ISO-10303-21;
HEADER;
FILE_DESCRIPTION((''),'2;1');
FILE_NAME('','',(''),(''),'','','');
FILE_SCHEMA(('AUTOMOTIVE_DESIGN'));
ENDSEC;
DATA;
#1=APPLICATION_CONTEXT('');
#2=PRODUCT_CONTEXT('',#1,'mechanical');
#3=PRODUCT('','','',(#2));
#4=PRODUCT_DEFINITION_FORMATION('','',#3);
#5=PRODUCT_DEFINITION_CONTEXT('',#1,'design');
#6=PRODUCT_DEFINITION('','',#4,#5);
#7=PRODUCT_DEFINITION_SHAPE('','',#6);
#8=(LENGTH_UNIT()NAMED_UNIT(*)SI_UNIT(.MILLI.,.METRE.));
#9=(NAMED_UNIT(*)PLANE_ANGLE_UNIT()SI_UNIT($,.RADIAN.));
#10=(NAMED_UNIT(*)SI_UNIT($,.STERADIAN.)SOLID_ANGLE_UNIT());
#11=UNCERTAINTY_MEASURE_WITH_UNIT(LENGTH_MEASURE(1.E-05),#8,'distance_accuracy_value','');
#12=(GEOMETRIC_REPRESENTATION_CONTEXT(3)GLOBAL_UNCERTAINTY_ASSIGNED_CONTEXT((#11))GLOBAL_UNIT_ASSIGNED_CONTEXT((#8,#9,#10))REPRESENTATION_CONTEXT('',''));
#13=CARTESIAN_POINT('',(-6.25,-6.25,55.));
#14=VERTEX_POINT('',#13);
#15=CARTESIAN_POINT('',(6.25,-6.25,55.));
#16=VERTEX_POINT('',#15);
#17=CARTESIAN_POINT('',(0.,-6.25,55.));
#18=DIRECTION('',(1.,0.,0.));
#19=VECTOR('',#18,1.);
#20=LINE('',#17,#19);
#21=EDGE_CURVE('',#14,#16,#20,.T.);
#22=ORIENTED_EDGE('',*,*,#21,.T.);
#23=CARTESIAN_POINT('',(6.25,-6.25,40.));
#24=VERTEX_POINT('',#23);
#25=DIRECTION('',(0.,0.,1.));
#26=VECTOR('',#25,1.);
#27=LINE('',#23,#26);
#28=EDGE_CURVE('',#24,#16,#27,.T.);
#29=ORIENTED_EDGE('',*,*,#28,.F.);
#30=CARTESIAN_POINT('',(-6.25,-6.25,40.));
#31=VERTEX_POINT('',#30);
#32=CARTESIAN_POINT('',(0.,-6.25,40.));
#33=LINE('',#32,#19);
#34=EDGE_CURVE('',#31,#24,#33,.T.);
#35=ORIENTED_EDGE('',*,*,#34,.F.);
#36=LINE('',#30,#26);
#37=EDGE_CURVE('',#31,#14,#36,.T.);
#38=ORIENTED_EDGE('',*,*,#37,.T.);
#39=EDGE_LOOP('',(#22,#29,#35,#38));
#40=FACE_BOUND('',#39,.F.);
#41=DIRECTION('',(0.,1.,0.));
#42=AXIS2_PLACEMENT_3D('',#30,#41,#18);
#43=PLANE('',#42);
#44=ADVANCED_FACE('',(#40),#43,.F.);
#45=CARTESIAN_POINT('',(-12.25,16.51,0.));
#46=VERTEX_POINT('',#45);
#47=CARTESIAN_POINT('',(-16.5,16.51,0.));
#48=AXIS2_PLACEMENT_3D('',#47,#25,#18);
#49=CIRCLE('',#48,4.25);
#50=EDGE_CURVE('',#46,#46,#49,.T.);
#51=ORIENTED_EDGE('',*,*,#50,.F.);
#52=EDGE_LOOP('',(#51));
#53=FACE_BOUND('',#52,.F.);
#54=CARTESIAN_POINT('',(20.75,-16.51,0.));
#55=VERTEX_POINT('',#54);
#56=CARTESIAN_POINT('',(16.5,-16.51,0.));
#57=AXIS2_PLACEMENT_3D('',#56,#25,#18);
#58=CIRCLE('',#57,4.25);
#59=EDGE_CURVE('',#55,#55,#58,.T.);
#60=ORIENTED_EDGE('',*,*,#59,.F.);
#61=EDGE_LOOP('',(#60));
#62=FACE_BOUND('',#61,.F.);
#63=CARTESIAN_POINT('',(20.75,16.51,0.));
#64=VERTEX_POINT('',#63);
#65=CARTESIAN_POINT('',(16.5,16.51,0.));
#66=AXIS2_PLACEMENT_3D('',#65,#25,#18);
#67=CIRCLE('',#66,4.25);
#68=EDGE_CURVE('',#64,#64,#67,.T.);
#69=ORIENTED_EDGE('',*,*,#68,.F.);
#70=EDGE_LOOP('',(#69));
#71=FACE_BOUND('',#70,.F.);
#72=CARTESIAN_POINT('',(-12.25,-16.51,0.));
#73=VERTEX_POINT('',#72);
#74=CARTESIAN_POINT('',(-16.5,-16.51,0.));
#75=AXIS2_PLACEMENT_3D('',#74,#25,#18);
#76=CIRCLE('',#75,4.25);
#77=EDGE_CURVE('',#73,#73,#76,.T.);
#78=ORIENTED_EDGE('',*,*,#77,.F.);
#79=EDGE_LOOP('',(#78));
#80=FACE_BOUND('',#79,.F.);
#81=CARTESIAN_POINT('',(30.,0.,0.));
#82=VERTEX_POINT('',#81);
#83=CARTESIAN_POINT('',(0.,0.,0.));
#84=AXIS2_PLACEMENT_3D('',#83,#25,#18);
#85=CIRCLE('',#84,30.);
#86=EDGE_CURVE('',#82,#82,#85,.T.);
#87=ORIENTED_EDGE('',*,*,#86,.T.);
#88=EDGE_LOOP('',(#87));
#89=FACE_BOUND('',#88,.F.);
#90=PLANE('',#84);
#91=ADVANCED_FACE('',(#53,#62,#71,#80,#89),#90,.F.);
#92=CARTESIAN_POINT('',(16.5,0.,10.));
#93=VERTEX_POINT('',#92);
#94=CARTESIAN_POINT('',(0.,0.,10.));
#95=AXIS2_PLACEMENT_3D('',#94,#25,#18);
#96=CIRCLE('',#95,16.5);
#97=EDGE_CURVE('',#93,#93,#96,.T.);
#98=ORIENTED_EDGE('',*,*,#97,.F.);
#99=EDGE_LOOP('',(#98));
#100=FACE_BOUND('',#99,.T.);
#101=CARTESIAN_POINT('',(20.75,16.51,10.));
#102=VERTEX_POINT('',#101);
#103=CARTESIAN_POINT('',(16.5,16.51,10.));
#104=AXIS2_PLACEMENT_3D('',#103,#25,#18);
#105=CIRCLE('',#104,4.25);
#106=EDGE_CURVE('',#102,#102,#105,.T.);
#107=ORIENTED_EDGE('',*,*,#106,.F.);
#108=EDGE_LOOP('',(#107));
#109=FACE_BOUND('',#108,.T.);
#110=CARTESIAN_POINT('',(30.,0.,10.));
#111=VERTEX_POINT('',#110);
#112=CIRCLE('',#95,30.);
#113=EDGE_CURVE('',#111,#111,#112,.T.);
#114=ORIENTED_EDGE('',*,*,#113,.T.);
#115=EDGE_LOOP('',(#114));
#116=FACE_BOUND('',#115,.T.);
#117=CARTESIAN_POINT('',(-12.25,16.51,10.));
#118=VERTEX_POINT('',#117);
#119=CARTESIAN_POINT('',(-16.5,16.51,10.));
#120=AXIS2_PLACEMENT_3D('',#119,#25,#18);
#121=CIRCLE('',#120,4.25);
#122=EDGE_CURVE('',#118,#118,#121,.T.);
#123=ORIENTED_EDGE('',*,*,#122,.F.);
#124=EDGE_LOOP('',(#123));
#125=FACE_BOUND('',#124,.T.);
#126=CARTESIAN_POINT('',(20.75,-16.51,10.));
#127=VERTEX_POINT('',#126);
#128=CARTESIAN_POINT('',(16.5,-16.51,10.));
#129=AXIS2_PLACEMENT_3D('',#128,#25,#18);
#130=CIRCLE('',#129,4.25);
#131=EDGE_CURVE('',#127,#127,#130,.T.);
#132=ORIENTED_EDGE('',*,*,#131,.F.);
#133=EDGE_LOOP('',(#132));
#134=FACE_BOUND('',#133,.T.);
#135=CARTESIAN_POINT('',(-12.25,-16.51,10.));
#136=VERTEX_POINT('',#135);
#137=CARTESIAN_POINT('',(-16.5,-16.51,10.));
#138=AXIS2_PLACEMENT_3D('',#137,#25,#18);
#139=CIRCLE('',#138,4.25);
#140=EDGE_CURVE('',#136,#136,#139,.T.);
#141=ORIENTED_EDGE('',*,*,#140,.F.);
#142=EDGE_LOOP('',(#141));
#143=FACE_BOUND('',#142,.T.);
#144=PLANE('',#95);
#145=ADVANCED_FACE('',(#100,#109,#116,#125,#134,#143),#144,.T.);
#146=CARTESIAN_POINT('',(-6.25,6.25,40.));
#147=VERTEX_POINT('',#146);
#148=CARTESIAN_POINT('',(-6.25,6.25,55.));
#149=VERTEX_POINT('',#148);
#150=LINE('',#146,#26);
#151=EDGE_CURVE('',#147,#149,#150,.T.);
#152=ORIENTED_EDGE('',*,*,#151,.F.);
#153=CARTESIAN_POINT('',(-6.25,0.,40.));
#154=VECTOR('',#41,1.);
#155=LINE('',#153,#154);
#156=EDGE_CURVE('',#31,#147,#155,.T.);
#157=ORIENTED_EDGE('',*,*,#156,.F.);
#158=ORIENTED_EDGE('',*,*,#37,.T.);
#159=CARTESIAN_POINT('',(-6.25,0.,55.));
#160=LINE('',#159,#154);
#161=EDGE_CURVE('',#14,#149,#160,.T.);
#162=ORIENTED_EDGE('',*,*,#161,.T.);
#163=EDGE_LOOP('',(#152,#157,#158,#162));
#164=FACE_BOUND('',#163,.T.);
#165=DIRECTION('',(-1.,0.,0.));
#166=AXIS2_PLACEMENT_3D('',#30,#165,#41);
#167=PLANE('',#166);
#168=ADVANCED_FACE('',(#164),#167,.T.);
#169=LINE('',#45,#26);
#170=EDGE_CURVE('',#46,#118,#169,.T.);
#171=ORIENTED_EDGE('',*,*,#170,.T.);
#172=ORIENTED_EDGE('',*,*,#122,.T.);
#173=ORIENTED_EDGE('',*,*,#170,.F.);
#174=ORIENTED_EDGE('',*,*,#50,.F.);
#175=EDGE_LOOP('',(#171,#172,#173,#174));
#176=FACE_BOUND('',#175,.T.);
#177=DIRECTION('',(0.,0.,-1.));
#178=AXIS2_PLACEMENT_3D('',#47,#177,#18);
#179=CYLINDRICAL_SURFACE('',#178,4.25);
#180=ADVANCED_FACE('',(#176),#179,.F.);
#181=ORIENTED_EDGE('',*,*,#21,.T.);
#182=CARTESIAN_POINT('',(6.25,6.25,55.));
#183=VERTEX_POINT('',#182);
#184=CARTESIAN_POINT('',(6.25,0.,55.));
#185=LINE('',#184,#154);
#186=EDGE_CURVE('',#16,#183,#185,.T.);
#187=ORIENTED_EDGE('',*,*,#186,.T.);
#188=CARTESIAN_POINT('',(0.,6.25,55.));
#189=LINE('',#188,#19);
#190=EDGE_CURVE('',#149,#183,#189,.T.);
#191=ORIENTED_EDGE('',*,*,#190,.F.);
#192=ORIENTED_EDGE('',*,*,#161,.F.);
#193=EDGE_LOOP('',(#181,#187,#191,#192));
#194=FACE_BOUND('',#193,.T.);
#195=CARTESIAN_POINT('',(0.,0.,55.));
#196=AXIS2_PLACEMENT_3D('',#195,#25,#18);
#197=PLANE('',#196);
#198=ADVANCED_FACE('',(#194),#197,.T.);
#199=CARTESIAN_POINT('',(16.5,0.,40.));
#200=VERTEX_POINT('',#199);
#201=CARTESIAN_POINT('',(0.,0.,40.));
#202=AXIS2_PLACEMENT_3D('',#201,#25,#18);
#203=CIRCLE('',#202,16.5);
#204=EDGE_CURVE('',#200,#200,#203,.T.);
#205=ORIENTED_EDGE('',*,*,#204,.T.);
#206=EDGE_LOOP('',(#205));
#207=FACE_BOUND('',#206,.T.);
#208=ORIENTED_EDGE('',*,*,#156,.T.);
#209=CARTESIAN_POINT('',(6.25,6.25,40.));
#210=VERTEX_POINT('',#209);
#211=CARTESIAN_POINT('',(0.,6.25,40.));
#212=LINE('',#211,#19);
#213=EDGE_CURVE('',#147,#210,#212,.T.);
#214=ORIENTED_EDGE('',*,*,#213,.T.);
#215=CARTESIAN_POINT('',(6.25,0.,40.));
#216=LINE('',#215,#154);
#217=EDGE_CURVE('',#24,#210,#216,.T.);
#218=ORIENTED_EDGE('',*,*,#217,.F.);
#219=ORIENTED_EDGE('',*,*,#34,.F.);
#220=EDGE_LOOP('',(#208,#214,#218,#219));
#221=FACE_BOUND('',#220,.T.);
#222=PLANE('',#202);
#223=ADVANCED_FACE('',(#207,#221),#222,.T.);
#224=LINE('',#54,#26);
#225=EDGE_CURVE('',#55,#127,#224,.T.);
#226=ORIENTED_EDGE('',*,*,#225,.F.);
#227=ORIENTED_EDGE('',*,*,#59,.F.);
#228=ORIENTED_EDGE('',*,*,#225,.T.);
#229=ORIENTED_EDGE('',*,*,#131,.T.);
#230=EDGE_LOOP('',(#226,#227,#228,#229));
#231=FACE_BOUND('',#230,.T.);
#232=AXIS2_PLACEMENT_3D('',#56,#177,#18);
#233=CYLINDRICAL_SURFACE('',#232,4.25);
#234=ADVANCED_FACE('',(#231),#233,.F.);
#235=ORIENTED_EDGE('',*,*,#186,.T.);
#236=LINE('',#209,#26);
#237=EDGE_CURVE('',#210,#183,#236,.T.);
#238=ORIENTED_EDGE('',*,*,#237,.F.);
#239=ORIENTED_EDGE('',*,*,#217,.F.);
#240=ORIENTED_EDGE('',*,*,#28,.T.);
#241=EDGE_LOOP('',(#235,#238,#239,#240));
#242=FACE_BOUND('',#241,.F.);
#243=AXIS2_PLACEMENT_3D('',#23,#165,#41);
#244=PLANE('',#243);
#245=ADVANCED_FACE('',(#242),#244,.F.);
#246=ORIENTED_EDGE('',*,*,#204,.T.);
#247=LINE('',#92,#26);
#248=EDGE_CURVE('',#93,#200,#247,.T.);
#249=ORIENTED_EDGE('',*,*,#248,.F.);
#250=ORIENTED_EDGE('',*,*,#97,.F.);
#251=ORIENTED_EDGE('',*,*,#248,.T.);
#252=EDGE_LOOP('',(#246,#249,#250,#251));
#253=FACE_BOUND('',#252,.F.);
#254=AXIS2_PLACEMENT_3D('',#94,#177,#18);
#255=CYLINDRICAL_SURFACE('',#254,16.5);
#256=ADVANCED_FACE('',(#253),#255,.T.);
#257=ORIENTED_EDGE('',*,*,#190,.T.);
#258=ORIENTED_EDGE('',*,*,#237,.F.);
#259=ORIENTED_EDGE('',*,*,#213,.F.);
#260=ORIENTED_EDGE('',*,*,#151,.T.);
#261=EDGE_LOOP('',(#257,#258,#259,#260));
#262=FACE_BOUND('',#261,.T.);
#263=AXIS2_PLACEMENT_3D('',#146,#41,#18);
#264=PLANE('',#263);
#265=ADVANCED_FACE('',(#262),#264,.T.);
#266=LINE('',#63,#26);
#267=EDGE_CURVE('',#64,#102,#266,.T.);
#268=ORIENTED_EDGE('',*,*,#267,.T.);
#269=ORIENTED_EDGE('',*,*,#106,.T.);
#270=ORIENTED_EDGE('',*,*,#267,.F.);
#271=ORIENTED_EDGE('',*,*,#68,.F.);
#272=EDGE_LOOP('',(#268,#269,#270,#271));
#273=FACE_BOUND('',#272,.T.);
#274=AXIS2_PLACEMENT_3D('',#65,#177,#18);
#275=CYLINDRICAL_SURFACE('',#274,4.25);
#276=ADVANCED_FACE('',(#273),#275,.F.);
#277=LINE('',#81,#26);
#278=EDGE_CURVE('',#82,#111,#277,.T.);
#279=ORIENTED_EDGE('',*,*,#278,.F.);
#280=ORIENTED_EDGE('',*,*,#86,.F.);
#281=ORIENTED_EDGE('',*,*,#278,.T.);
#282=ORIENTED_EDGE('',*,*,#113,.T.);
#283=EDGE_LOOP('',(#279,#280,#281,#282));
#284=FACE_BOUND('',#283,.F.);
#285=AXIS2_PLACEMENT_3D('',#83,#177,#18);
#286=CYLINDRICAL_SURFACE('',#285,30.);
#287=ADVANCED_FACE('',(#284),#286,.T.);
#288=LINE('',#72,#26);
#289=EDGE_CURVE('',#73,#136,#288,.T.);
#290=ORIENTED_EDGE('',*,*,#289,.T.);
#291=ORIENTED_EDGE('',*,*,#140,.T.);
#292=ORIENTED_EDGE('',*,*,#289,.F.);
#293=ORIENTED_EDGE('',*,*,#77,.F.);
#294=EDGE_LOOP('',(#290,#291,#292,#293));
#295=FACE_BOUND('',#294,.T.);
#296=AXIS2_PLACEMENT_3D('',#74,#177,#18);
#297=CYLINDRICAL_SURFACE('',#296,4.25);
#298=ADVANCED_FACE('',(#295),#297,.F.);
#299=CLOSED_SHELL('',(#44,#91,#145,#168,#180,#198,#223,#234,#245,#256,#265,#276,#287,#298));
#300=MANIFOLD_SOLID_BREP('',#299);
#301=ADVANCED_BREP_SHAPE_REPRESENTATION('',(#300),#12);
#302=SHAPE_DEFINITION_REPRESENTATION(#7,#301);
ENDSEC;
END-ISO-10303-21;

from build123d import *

# Parameters (mm, degrees)
F0_R     = 30
F0_R_2   = 4.25
F1_DEPTH = 10
F2_R     = 16.5
F3_DEPTH = 30
F4_W     = 12.5
F4_H     = 12.5
F5_DEPTH = 15


with BuildPart() as f1:
    # F0 (on Top) → F1 (new body)
    with BuildSketch(Plane.XY):
        Circle(F0_R)
        with Locations((-16.5, -16.51)):
            Circle(F0_R_2, mode=Mode.SUBTRACT)
        with Locations((16.5, -16.51)):
            Circle(F0_R_2, mode=Mode.SUBTRACT)
        with Locations((-16.5, 16.51)):
            Circle(F0_R_2, mode=Mode.SUBTRACT)
        with Locations((16.5, 16.51)):
            Circle(F0_R_2, mode=Mode.SUBTRACT)
    extrude(amount=F1_DEPTH)

    # F2 (on face) → F3 (join)
    with BuildSketch(Plane.XY.offset(10)):
        Circle(F2_R)
    extrude(amount=F3_DEPTH)

    # F4 (on face) → F5 (join)
    with BuildSketch(Plane.XY.offset(40)):
        Rectangle(F4_W, F4_H)
    extrude(amount=F5_DEPTH)


solid = f1.part
